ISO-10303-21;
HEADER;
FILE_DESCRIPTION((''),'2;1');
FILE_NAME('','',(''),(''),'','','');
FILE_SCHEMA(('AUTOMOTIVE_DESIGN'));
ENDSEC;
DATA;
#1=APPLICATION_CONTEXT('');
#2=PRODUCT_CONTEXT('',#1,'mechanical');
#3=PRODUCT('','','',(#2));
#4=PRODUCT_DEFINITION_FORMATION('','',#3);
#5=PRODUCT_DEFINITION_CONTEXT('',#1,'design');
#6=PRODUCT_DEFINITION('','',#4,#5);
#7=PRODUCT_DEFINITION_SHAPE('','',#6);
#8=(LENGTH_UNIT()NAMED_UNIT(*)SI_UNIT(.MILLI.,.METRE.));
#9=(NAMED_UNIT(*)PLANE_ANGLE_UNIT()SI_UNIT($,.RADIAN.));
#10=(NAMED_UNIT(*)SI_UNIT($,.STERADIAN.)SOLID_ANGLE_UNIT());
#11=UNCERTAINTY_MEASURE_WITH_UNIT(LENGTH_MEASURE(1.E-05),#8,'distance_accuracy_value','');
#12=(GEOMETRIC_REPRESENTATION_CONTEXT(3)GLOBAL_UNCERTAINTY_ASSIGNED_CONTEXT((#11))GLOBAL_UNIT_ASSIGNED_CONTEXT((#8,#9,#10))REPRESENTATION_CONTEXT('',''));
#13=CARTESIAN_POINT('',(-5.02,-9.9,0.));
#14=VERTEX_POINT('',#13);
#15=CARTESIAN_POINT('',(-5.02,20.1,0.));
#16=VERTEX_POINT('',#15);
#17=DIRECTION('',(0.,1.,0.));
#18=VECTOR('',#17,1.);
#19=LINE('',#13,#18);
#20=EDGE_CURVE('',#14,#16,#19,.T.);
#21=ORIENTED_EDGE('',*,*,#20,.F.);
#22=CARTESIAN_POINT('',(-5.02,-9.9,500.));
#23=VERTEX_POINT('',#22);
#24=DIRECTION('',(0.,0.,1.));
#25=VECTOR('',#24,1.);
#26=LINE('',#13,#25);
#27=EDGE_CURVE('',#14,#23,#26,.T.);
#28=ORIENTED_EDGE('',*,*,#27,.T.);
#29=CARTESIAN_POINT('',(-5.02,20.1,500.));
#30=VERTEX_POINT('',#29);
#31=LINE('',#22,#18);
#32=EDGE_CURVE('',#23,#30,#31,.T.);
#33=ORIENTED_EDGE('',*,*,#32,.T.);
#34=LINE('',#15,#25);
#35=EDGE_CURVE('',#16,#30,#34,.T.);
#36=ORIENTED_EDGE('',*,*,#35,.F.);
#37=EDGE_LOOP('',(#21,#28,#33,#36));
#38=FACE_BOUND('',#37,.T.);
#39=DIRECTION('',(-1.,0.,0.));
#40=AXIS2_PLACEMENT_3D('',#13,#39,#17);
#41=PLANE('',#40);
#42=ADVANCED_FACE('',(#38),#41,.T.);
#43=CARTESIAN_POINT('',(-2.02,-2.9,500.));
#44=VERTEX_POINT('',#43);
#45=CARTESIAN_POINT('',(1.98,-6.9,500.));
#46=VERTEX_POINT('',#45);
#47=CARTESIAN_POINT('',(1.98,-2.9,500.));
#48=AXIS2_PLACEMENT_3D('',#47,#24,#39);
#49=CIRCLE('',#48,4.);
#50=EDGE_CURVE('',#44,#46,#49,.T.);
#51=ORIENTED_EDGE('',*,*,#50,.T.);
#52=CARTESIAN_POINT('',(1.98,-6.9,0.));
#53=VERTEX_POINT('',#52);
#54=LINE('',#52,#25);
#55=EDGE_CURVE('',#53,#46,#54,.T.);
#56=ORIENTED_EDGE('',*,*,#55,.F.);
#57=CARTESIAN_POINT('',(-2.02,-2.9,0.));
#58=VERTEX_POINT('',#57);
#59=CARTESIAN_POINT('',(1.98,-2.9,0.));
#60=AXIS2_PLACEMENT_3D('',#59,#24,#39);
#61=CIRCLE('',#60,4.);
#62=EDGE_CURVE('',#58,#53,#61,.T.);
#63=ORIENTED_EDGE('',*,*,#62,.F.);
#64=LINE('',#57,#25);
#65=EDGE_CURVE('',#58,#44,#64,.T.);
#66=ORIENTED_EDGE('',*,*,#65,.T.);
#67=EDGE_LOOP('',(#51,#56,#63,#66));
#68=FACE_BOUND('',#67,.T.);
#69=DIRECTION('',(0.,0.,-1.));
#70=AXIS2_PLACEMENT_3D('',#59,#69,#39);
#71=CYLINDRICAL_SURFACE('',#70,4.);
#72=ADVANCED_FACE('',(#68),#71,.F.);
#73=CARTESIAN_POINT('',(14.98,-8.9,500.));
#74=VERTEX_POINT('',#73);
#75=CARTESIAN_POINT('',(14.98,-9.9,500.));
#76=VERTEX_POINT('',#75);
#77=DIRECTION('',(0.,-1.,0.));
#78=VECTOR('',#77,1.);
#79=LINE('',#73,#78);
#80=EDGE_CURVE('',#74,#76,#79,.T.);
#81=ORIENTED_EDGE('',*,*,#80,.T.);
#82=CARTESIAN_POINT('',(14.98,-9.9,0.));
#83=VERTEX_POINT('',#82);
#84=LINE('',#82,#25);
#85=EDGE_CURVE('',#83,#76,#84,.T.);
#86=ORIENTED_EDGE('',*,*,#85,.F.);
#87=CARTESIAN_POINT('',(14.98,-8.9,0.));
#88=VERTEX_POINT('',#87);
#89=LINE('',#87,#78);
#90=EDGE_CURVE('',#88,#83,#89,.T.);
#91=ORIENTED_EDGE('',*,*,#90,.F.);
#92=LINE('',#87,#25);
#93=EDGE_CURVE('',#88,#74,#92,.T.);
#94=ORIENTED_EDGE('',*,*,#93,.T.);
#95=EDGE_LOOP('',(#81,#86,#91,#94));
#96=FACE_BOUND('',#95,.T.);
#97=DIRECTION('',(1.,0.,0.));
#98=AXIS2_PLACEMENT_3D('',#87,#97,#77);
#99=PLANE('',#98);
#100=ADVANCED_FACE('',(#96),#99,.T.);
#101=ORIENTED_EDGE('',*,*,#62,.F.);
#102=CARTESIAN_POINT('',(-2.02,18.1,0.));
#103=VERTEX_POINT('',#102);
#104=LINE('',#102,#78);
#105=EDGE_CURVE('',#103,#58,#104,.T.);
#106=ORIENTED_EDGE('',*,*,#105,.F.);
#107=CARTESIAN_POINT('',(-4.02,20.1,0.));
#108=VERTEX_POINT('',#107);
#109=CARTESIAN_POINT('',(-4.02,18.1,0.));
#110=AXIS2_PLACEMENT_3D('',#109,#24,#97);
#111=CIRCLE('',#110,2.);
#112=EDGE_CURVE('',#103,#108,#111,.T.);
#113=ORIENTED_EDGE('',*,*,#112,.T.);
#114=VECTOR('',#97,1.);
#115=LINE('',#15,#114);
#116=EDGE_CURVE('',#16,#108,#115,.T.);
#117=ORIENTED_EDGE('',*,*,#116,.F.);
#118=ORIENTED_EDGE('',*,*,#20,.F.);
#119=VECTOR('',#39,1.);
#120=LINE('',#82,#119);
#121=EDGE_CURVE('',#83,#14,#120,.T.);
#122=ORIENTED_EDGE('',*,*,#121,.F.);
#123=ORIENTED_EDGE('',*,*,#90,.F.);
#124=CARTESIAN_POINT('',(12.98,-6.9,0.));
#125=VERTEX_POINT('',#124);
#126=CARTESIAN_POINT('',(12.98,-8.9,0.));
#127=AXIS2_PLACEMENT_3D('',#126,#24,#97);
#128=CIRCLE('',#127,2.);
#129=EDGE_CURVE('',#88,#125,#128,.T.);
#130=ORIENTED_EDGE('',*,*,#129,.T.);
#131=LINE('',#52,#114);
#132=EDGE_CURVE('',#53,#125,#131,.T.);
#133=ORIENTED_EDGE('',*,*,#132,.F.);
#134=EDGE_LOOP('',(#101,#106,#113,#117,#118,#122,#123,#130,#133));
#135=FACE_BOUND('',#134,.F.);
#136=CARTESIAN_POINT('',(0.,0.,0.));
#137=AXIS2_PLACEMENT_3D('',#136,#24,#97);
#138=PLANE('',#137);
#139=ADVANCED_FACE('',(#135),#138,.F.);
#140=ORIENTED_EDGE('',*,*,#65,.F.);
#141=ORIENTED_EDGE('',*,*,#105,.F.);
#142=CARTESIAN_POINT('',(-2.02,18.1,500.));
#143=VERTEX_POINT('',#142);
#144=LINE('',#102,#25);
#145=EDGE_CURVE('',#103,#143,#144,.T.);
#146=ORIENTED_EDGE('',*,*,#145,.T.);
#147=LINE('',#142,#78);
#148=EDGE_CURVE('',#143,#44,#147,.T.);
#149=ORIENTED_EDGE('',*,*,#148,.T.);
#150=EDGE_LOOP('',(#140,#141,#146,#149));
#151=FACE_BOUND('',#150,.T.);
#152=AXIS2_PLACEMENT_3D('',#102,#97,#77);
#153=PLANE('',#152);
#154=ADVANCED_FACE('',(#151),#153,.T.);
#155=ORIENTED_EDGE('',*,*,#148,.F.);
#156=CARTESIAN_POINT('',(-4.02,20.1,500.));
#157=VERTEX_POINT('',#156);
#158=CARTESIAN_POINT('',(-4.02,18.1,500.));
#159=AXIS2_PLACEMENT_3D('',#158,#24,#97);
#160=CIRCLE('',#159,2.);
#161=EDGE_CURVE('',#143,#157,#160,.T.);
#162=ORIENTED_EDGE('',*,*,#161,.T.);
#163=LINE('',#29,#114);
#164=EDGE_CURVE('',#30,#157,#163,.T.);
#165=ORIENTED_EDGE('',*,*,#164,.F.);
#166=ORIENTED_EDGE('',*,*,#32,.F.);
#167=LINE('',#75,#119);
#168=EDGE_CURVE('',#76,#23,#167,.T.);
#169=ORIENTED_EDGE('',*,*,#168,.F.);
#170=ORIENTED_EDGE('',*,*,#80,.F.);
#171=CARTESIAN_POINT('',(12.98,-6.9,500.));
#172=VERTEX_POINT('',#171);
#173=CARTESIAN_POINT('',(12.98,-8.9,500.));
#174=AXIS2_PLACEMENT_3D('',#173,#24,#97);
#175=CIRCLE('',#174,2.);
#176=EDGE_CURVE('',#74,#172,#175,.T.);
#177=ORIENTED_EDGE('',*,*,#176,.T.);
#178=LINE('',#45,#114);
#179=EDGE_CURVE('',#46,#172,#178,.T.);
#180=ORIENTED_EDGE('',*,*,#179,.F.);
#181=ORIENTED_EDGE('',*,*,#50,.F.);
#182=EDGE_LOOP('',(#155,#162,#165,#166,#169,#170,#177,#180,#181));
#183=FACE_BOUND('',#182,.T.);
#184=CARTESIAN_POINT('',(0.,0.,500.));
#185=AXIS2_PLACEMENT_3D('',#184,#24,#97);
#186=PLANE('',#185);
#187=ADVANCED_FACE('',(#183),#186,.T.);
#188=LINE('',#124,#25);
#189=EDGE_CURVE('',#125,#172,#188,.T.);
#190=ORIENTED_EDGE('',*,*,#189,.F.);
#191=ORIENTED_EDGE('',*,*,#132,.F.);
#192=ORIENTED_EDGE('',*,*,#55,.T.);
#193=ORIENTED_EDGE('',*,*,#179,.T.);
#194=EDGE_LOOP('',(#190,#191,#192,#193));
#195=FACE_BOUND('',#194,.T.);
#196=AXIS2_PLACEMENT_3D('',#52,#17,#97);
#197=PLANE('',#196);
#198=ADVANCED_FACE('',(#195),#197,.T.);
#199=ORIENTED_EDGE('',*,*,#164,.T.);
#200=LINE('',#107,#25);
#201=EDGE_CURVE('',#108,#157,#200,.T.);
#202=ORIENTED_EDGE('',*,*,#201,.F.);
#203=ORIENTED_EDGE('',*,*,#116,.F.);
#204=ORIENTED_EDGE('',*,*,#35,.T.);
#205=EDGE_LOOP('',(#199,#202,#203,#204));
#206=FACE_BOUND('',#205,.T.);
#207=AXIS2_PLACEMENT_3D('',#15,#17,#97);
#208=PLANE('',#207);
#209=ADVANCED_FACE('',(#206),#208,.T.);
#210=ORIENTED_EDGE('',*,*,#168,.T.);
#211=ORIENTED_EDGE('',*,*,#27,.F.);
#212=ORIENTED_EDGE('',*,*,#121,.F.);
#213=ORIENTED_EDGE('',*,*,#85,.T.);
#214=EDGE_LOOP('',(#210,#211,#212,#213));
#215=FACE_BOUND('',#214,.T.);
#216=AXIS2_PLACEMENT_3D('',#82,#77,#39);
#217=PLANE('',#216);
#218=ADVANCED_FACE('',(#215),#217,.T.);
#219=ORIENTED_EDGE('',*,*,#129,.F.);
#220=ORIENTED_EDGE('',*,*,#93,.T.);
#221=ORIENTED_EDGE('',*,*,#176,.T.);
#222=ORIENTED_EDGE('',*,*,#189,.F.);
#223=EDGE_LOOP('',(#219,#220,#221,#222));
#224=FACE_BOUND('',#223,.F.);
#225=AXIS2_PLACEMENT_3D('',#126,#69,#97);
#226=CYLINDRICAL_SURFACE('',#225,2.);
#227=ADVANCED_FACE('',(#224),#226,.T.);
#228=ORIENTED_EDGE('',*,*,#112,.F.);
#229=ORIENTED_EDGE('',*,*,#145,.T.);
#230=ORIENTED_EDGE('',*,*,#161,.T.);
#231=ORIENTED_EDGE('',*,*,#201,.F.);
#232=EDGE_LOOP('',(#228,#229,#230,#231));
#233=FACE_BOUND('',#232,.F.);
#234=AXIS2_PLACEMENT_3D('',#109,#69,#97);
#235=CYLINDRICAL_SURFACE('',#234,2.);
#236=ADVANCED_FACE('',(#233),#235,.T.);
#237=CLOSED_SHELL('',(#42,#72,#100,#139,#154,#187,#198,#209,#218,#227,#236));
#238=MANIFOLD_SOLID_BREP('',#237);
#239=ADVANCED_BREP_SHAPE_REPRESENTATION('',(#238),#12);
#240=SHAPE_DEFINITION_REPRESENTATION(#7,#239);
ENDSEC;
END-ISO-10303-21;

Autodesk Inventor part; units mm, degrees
ref_plane "YZ Plane" through (0, 0, 0) normal (1, 0, 0) x (0, 1, 0)
ref_plane "Start plane" through (0, 0, 0) normal (0, 0, 1) x (1, 0, 0)
ref_plane "End plane" through (0, 0, 1) normal (0, 0, 1) x (1, 0, 0)
sketch "Sketch2" plane through (0, 0, 0) normal (0, 0, 1) x (1, 0, 0)
  line L0 (-2.02, 18.1) -> (-2.02, -2.9)
  line L1 (-5.02, 20.1) -> (-4.02, 20.1)
  line L2 (-5.02, -9.9) -> (-5.02, 20.1)
  line L3 (14.98, -9.9) -> (-5.02, -9.9)
  line L4 (14.98, -8.9) -> (14.98, -9.9)
  line L5 (1.98, -6.9) -> (12.98, -6.9)
  arc A0 (-2.02, -2.9) -> (1.98, -6.9) centre (1.98, -2.9) ccw
  arc A1 (-2.02, 18.1) -> (-4.02, 20.1) centre (-4.02, 18.1) ccw
  arc A2 (14.98, -8.9) -> (12.98, -6.9) centre (12.98, -8.9) ccw
  line L6 (0, 26.5971) -> (0, -15.9828) construction
  line L7 (-9.1028, 0) -> (19.4771, 0) construction
  point P0 (-2.02, 20.1)
  point P1 (-2.02, -6.9)
  point P2 (14.98, -6.9)
  dimension "d4" = 20
  dimension "d6" = 30
  dimension "d8" = 3
  dimension "d10" = 3
  dimension "d17" = 4
  dimension "d18" = 2
  dimension "d19" = 9.9
  dimension "d20" = 5.02
extrude "Body" add sketch "Sketch2" along normal blind 500 from surface at 0
sketch "Sketch3" plane through (0, 0, 0) normal (0, 0, 1) x (1, 0, 0)
  line L0 (0, 0) -> (10, 0)
ref_plane "Work Plane10" through (0, 0, 0) normal (0, -1, 0) x (1, 0, 0)
sketch "Sketch4" plane through (0, 0, 0) normal (0, -1, 0) x (1, 0, 0)
  line L0 (-2, 0) -> (12, 0) projected
  line L1 (-2, 1) -> (12, 1) projected
  dimension "d24" = 1
equation "\"d4\" = b"
equation "\"d6\" = ParH"
equation "\"d8\" = ParT"
equation "\"d10\" = ParT"
equation "\"d17\" = R"
equation "\"d18\" = R1"
equation "\"d19\" = ex"
equation "\"d20\" = ey"
equation "\"b\" = 20"
equation "\"ParT\" = 3"
equation "\"R1\" = 2"
equation "\"G_L\" = d24"
equation "\"ParH\" = 30"
equation "\"R\" = 4"
equation "\"ey\" = 5.02"
equation "\"ex\" = 9.9"
equation "\"G_OFFSET_START\" = 0"
equation "\"G_OFFSET_END\" = 0"
equation "\"d22\" = G_OFFSET_END + B_L"
equation "\"B_L\" = 1"
properties part number "ISO 657-2 - 30x 20x 3-1" material "Steel, Mild"
